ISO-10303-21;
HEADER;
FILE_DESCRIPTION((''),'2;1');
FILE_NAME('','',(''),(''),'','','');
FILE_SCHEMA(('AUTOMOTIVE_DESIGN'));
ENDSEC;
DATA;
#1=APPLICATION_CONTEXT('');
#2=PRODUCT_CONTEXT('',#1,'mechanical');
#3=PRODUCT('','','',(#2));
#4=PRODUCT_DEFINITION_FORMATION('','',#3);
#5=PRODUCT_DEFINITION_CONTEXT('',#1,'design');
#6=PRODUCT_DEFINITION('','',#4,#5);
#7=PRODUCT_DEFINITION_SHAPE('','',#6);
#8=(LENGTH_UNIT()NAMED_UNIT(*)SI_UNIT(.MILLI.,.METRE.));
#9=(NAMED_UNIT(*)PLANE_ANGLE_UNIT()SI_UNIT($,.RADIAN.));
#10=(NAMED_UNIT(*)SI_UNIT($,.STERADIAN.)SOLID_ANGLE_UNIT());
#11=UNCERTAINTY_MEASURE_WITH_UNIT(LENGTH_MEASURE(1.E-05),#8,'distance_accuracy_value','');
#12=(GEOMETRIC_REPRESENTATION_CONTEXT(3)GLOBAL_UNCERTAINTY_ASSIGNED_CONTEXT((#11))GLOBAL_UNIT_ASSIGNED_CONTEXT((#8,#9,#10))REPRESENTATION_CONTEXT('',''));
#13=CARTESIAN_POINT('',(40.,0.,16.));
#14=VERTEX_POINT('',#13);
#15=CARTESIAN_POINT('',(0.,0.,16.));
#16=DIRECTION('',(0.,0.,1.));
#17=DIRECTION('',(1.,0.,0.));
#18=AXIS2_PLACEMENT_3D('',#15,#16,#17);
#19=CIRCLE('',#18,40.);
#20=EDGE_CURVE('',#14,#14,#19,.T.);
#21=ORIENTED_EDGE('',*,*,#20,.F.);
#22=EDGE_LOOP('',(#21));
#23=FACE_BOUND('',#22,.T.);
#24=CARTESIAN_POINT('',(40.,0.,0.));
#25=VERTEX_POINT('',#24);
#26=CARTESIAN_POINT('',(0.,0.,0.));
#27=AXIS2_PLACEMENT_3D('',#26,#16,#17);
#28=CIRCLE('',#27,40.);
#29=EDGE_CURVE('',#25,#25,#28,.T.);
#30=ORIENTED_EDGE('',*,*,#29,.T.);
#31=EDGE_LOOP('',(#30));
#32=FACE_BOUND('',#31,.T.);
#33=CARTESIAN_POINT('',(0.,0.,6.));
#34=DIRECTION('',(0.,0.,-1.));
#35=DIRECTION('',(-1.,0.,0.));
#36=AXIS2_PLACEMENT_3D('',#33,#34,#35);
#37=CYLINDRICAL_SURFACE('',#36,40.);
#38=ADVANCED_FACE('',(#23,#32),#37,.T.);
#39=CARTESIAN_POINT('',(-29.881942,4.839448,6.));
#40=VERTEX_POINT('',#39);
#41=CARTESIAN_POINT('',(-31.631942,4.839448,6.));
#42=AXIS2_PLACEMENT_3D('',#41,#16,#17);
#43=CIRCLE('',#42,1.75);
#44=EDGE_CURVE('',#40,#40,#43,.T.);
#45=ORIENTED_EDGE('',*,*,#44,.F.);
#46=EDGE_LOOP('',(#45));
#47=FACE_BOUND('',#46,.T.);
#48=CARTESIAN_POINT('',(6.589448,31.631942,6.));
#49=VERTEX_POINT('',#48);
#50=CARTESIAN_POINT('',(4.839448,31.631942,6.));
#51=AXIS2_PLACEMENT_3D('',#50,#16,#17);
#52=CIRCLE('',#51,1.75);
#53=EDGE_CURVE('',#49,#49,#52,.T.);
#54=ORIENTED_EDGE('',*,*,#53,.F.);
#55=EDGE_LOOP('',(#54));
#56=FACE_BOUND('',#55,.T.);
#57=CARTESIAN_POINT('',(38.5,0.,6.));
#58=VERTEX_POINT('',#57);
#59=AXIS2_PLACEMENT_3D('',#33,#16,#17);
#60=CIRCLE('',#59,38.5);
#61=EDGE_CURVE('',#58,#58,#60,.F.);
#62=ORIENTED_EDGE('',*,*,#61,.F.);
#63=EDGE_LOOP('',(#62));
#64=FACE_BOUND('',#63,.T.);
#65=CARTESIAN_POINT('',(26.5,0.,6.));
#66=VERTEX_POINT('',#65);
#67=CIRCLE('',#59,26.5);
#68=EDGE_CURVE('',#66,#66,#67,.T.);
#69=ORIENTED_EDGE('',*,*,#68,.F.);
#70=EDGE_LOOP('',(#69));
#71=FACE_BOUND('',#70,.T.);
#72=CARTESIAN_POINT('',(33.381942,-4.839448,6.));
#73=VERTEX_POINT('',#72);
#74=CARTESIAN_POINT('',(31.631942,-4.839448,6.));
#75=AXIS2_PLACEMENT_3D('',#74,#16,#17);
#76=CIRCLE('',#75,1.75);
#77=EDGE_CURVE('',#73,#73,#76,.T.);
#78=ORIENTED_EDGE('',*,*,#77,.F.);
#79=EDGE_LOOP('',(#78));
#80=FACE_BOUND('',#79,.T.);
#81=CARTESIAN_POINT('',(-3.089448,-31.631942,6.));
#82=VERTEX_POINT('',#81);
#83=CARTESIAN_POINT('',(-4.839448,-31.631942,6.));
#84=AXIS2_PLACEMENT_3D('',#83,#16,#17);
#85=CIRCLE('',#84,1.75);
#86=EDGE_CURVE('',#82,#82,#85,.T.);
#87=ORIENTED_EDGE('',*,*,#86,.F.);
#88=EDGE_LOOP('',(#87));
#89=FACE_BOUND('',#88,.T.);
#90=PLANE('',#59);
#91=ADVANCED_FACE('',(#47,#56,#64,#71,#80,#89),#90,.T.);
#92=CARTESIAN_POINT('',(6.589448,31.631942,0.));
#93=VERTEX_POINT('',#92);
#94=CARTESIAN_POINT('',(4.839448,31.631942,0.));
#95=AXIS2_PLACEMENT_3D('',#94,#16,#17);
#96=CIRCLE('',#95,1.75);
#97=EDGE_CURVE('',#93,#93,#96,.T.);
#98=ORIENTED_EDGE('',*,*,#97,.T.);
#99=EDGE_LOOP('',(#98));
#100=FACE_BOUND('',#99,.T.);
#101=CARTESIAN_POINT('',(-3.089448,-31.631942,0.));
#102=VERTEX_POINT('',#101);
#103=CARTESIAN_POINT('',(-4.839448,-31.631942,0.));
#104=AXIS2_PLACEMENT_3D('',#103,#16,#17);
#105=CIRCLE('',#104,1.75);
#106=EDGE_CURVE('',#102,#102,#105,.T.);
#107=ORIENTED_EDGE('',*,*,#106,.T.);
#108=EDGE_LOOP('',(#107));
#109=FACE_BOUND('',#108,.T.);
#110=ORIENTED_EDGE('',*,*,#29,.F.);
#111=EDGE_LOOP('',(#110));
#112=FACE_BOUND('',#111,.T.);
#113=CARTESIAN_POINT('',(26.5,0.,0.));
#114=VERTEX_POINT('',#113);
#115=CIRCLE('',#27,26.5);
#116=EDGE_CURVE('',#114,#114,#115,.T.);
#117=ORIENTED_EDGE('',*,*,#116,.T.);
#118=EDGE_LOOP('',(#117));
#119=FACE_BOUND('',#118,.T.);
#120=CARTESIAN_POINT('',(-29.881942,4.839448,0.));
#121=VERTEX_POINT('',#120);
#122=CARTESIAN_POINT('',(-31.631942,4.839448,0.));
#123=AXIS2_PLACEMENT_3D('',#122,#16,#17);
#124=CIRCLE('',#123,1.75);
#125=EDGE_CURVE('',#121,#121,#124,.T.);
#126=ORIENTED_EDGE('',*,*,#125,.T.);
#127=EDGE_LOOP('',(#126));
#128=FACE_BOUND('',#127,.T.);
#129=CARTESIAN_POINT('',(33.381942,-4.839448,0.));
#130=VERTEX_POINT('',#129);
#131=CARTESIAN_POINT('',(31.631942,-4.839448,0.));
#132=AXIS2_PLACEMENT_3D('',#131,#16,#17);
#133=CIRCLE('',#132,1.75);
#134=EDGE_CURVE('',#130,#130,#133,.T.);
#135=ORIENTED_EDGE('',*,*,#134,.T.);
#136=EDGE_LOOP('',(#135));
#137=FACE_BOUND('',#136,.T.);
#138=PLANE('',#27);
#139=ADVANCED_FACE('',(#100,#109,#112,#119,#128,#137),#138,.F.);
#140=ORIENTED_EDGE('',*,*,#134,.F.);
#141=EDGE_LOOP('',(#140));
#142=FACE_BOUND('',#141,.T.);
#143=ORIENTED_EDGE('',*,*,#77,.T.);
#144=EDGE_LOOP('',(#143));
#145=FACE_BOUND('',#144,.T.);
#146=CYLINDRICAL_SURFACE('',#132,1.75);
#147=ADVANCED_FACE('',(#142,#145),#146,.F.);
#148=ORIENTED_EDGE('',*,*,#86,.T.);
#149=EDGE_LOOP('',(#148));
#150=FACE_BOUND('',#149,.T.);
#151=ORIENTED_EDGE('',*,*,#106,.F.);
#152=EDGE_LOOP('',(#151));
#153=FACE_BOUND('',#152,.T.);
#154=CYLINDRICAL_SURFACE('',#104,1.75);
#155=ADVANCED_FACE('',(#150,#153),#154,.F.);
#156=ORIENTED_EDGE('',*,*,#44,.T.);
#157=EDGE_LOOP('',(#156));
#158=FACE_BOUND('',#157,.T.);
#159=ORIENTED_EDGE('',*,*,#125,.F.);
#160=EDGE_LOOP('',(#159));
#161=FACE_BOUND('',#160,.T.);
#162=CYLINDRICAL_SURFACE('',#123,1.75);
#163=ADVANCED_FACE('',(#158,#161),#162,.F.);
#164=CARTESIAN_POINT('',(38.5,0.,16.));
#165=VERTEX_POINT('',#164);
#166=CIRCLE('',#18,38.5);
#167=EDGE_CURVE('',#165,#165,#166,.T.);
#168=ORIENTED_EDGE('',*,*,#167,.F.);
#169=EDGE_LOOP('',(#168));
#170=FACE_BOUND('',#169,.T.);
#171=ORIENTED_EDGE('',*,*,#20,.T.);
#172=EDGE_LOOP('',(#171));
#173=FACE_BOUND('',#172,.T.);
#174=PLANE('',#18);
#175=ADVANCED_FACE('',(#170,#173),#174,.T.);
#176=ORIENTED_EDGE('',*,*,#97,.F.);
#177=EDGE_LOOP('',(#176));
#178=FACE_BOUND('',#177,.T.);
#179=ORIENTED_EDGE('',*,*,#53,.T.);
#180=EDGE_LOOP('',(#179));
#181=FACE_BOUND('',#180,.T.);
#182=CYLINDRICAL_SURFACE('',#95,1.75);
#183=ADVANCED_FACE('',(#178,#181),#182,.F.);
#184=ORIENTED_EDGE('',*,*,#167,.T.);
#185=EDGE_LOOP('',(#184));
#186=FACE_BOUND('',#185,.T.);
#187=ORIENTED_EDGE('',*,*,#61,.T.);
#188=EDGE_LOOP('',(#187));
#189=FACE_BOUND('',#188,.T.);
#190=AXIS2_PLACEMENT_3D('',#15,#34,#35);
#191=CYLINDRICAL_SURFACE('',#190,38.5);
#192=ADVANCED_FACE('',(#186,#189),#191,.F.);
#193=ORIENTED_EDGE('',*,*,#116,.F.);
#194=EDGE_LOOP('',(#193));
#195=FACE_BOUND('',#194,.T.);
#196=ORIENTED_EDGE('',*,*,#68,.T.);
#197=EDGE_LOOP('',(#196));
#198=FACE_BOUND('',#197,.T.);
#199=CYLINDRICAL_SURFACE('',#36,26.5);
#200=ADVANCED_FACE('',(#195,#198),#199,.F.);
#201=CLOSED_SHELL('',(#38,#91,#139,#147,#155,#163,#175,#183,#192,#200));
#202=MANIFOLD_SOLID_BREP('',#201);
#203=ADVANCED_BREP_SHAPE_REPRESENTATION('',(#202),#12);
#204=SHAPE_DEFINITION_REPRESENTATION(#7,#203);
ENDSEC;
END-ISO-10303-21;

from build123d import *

# Parameters (mm, degrees)
SKETCH1_R           = 40
SKETCH1_R_2         = 26.5
BOSS_EXTRUDE1_DEPTH = 6
SKETCH2_R           = 1.75
CUT_EXTRUDE1_DEPTH  = 7
SKETCH3_R           = 40
SKETCH3_R_2         = 38.5
BOSS_EXTRUDE2_DEPTH = 10


with BuildPart() as part:
    # Sketch1 → Boss-Extrude1 (new body)
    with BuildSketch(Plane.XY):
        Circle(SKETCH1_R)
        Circle(SKETCH1_R_2, mode=Mode.SUBTRACT)
    extrude(amount=BOSS_EXTRUDE1_DEPTH)

    # Sketch2 → Cut-Extrude1 (cut, through all)
    with BuildSketch(Plane.XY.offset(6)):
        with Locations((-31.631941874, 4.839447619)):
            Circle(SKETCH2_R)
        with Locations((4.839447619, 31.631941874)):
            Circle(SKETCH2_R)
        with Locations((31.631941874, -4.839447619)):
            Circle(SKETCH2_R)
        with Locations((-4.839447619, -31.631941874)):
            Circle(SKETCH2_R)
    extrude(amount=-CUT_EXTRUDE1_DEPTH, mode=Mode.SUBTRACT)

    # Sketch3 → Boss-Extrude2 (add)
    with BuildSketch(Plane.XY.offset(6)):
        Circle(SKETCH3_R)
        Circle(SKETCH3_R_2, mode=Mode.SUBTRACT)
    extrude(amount=BOSS_EXTRUDE2_DEPTH)


solid = part.part
